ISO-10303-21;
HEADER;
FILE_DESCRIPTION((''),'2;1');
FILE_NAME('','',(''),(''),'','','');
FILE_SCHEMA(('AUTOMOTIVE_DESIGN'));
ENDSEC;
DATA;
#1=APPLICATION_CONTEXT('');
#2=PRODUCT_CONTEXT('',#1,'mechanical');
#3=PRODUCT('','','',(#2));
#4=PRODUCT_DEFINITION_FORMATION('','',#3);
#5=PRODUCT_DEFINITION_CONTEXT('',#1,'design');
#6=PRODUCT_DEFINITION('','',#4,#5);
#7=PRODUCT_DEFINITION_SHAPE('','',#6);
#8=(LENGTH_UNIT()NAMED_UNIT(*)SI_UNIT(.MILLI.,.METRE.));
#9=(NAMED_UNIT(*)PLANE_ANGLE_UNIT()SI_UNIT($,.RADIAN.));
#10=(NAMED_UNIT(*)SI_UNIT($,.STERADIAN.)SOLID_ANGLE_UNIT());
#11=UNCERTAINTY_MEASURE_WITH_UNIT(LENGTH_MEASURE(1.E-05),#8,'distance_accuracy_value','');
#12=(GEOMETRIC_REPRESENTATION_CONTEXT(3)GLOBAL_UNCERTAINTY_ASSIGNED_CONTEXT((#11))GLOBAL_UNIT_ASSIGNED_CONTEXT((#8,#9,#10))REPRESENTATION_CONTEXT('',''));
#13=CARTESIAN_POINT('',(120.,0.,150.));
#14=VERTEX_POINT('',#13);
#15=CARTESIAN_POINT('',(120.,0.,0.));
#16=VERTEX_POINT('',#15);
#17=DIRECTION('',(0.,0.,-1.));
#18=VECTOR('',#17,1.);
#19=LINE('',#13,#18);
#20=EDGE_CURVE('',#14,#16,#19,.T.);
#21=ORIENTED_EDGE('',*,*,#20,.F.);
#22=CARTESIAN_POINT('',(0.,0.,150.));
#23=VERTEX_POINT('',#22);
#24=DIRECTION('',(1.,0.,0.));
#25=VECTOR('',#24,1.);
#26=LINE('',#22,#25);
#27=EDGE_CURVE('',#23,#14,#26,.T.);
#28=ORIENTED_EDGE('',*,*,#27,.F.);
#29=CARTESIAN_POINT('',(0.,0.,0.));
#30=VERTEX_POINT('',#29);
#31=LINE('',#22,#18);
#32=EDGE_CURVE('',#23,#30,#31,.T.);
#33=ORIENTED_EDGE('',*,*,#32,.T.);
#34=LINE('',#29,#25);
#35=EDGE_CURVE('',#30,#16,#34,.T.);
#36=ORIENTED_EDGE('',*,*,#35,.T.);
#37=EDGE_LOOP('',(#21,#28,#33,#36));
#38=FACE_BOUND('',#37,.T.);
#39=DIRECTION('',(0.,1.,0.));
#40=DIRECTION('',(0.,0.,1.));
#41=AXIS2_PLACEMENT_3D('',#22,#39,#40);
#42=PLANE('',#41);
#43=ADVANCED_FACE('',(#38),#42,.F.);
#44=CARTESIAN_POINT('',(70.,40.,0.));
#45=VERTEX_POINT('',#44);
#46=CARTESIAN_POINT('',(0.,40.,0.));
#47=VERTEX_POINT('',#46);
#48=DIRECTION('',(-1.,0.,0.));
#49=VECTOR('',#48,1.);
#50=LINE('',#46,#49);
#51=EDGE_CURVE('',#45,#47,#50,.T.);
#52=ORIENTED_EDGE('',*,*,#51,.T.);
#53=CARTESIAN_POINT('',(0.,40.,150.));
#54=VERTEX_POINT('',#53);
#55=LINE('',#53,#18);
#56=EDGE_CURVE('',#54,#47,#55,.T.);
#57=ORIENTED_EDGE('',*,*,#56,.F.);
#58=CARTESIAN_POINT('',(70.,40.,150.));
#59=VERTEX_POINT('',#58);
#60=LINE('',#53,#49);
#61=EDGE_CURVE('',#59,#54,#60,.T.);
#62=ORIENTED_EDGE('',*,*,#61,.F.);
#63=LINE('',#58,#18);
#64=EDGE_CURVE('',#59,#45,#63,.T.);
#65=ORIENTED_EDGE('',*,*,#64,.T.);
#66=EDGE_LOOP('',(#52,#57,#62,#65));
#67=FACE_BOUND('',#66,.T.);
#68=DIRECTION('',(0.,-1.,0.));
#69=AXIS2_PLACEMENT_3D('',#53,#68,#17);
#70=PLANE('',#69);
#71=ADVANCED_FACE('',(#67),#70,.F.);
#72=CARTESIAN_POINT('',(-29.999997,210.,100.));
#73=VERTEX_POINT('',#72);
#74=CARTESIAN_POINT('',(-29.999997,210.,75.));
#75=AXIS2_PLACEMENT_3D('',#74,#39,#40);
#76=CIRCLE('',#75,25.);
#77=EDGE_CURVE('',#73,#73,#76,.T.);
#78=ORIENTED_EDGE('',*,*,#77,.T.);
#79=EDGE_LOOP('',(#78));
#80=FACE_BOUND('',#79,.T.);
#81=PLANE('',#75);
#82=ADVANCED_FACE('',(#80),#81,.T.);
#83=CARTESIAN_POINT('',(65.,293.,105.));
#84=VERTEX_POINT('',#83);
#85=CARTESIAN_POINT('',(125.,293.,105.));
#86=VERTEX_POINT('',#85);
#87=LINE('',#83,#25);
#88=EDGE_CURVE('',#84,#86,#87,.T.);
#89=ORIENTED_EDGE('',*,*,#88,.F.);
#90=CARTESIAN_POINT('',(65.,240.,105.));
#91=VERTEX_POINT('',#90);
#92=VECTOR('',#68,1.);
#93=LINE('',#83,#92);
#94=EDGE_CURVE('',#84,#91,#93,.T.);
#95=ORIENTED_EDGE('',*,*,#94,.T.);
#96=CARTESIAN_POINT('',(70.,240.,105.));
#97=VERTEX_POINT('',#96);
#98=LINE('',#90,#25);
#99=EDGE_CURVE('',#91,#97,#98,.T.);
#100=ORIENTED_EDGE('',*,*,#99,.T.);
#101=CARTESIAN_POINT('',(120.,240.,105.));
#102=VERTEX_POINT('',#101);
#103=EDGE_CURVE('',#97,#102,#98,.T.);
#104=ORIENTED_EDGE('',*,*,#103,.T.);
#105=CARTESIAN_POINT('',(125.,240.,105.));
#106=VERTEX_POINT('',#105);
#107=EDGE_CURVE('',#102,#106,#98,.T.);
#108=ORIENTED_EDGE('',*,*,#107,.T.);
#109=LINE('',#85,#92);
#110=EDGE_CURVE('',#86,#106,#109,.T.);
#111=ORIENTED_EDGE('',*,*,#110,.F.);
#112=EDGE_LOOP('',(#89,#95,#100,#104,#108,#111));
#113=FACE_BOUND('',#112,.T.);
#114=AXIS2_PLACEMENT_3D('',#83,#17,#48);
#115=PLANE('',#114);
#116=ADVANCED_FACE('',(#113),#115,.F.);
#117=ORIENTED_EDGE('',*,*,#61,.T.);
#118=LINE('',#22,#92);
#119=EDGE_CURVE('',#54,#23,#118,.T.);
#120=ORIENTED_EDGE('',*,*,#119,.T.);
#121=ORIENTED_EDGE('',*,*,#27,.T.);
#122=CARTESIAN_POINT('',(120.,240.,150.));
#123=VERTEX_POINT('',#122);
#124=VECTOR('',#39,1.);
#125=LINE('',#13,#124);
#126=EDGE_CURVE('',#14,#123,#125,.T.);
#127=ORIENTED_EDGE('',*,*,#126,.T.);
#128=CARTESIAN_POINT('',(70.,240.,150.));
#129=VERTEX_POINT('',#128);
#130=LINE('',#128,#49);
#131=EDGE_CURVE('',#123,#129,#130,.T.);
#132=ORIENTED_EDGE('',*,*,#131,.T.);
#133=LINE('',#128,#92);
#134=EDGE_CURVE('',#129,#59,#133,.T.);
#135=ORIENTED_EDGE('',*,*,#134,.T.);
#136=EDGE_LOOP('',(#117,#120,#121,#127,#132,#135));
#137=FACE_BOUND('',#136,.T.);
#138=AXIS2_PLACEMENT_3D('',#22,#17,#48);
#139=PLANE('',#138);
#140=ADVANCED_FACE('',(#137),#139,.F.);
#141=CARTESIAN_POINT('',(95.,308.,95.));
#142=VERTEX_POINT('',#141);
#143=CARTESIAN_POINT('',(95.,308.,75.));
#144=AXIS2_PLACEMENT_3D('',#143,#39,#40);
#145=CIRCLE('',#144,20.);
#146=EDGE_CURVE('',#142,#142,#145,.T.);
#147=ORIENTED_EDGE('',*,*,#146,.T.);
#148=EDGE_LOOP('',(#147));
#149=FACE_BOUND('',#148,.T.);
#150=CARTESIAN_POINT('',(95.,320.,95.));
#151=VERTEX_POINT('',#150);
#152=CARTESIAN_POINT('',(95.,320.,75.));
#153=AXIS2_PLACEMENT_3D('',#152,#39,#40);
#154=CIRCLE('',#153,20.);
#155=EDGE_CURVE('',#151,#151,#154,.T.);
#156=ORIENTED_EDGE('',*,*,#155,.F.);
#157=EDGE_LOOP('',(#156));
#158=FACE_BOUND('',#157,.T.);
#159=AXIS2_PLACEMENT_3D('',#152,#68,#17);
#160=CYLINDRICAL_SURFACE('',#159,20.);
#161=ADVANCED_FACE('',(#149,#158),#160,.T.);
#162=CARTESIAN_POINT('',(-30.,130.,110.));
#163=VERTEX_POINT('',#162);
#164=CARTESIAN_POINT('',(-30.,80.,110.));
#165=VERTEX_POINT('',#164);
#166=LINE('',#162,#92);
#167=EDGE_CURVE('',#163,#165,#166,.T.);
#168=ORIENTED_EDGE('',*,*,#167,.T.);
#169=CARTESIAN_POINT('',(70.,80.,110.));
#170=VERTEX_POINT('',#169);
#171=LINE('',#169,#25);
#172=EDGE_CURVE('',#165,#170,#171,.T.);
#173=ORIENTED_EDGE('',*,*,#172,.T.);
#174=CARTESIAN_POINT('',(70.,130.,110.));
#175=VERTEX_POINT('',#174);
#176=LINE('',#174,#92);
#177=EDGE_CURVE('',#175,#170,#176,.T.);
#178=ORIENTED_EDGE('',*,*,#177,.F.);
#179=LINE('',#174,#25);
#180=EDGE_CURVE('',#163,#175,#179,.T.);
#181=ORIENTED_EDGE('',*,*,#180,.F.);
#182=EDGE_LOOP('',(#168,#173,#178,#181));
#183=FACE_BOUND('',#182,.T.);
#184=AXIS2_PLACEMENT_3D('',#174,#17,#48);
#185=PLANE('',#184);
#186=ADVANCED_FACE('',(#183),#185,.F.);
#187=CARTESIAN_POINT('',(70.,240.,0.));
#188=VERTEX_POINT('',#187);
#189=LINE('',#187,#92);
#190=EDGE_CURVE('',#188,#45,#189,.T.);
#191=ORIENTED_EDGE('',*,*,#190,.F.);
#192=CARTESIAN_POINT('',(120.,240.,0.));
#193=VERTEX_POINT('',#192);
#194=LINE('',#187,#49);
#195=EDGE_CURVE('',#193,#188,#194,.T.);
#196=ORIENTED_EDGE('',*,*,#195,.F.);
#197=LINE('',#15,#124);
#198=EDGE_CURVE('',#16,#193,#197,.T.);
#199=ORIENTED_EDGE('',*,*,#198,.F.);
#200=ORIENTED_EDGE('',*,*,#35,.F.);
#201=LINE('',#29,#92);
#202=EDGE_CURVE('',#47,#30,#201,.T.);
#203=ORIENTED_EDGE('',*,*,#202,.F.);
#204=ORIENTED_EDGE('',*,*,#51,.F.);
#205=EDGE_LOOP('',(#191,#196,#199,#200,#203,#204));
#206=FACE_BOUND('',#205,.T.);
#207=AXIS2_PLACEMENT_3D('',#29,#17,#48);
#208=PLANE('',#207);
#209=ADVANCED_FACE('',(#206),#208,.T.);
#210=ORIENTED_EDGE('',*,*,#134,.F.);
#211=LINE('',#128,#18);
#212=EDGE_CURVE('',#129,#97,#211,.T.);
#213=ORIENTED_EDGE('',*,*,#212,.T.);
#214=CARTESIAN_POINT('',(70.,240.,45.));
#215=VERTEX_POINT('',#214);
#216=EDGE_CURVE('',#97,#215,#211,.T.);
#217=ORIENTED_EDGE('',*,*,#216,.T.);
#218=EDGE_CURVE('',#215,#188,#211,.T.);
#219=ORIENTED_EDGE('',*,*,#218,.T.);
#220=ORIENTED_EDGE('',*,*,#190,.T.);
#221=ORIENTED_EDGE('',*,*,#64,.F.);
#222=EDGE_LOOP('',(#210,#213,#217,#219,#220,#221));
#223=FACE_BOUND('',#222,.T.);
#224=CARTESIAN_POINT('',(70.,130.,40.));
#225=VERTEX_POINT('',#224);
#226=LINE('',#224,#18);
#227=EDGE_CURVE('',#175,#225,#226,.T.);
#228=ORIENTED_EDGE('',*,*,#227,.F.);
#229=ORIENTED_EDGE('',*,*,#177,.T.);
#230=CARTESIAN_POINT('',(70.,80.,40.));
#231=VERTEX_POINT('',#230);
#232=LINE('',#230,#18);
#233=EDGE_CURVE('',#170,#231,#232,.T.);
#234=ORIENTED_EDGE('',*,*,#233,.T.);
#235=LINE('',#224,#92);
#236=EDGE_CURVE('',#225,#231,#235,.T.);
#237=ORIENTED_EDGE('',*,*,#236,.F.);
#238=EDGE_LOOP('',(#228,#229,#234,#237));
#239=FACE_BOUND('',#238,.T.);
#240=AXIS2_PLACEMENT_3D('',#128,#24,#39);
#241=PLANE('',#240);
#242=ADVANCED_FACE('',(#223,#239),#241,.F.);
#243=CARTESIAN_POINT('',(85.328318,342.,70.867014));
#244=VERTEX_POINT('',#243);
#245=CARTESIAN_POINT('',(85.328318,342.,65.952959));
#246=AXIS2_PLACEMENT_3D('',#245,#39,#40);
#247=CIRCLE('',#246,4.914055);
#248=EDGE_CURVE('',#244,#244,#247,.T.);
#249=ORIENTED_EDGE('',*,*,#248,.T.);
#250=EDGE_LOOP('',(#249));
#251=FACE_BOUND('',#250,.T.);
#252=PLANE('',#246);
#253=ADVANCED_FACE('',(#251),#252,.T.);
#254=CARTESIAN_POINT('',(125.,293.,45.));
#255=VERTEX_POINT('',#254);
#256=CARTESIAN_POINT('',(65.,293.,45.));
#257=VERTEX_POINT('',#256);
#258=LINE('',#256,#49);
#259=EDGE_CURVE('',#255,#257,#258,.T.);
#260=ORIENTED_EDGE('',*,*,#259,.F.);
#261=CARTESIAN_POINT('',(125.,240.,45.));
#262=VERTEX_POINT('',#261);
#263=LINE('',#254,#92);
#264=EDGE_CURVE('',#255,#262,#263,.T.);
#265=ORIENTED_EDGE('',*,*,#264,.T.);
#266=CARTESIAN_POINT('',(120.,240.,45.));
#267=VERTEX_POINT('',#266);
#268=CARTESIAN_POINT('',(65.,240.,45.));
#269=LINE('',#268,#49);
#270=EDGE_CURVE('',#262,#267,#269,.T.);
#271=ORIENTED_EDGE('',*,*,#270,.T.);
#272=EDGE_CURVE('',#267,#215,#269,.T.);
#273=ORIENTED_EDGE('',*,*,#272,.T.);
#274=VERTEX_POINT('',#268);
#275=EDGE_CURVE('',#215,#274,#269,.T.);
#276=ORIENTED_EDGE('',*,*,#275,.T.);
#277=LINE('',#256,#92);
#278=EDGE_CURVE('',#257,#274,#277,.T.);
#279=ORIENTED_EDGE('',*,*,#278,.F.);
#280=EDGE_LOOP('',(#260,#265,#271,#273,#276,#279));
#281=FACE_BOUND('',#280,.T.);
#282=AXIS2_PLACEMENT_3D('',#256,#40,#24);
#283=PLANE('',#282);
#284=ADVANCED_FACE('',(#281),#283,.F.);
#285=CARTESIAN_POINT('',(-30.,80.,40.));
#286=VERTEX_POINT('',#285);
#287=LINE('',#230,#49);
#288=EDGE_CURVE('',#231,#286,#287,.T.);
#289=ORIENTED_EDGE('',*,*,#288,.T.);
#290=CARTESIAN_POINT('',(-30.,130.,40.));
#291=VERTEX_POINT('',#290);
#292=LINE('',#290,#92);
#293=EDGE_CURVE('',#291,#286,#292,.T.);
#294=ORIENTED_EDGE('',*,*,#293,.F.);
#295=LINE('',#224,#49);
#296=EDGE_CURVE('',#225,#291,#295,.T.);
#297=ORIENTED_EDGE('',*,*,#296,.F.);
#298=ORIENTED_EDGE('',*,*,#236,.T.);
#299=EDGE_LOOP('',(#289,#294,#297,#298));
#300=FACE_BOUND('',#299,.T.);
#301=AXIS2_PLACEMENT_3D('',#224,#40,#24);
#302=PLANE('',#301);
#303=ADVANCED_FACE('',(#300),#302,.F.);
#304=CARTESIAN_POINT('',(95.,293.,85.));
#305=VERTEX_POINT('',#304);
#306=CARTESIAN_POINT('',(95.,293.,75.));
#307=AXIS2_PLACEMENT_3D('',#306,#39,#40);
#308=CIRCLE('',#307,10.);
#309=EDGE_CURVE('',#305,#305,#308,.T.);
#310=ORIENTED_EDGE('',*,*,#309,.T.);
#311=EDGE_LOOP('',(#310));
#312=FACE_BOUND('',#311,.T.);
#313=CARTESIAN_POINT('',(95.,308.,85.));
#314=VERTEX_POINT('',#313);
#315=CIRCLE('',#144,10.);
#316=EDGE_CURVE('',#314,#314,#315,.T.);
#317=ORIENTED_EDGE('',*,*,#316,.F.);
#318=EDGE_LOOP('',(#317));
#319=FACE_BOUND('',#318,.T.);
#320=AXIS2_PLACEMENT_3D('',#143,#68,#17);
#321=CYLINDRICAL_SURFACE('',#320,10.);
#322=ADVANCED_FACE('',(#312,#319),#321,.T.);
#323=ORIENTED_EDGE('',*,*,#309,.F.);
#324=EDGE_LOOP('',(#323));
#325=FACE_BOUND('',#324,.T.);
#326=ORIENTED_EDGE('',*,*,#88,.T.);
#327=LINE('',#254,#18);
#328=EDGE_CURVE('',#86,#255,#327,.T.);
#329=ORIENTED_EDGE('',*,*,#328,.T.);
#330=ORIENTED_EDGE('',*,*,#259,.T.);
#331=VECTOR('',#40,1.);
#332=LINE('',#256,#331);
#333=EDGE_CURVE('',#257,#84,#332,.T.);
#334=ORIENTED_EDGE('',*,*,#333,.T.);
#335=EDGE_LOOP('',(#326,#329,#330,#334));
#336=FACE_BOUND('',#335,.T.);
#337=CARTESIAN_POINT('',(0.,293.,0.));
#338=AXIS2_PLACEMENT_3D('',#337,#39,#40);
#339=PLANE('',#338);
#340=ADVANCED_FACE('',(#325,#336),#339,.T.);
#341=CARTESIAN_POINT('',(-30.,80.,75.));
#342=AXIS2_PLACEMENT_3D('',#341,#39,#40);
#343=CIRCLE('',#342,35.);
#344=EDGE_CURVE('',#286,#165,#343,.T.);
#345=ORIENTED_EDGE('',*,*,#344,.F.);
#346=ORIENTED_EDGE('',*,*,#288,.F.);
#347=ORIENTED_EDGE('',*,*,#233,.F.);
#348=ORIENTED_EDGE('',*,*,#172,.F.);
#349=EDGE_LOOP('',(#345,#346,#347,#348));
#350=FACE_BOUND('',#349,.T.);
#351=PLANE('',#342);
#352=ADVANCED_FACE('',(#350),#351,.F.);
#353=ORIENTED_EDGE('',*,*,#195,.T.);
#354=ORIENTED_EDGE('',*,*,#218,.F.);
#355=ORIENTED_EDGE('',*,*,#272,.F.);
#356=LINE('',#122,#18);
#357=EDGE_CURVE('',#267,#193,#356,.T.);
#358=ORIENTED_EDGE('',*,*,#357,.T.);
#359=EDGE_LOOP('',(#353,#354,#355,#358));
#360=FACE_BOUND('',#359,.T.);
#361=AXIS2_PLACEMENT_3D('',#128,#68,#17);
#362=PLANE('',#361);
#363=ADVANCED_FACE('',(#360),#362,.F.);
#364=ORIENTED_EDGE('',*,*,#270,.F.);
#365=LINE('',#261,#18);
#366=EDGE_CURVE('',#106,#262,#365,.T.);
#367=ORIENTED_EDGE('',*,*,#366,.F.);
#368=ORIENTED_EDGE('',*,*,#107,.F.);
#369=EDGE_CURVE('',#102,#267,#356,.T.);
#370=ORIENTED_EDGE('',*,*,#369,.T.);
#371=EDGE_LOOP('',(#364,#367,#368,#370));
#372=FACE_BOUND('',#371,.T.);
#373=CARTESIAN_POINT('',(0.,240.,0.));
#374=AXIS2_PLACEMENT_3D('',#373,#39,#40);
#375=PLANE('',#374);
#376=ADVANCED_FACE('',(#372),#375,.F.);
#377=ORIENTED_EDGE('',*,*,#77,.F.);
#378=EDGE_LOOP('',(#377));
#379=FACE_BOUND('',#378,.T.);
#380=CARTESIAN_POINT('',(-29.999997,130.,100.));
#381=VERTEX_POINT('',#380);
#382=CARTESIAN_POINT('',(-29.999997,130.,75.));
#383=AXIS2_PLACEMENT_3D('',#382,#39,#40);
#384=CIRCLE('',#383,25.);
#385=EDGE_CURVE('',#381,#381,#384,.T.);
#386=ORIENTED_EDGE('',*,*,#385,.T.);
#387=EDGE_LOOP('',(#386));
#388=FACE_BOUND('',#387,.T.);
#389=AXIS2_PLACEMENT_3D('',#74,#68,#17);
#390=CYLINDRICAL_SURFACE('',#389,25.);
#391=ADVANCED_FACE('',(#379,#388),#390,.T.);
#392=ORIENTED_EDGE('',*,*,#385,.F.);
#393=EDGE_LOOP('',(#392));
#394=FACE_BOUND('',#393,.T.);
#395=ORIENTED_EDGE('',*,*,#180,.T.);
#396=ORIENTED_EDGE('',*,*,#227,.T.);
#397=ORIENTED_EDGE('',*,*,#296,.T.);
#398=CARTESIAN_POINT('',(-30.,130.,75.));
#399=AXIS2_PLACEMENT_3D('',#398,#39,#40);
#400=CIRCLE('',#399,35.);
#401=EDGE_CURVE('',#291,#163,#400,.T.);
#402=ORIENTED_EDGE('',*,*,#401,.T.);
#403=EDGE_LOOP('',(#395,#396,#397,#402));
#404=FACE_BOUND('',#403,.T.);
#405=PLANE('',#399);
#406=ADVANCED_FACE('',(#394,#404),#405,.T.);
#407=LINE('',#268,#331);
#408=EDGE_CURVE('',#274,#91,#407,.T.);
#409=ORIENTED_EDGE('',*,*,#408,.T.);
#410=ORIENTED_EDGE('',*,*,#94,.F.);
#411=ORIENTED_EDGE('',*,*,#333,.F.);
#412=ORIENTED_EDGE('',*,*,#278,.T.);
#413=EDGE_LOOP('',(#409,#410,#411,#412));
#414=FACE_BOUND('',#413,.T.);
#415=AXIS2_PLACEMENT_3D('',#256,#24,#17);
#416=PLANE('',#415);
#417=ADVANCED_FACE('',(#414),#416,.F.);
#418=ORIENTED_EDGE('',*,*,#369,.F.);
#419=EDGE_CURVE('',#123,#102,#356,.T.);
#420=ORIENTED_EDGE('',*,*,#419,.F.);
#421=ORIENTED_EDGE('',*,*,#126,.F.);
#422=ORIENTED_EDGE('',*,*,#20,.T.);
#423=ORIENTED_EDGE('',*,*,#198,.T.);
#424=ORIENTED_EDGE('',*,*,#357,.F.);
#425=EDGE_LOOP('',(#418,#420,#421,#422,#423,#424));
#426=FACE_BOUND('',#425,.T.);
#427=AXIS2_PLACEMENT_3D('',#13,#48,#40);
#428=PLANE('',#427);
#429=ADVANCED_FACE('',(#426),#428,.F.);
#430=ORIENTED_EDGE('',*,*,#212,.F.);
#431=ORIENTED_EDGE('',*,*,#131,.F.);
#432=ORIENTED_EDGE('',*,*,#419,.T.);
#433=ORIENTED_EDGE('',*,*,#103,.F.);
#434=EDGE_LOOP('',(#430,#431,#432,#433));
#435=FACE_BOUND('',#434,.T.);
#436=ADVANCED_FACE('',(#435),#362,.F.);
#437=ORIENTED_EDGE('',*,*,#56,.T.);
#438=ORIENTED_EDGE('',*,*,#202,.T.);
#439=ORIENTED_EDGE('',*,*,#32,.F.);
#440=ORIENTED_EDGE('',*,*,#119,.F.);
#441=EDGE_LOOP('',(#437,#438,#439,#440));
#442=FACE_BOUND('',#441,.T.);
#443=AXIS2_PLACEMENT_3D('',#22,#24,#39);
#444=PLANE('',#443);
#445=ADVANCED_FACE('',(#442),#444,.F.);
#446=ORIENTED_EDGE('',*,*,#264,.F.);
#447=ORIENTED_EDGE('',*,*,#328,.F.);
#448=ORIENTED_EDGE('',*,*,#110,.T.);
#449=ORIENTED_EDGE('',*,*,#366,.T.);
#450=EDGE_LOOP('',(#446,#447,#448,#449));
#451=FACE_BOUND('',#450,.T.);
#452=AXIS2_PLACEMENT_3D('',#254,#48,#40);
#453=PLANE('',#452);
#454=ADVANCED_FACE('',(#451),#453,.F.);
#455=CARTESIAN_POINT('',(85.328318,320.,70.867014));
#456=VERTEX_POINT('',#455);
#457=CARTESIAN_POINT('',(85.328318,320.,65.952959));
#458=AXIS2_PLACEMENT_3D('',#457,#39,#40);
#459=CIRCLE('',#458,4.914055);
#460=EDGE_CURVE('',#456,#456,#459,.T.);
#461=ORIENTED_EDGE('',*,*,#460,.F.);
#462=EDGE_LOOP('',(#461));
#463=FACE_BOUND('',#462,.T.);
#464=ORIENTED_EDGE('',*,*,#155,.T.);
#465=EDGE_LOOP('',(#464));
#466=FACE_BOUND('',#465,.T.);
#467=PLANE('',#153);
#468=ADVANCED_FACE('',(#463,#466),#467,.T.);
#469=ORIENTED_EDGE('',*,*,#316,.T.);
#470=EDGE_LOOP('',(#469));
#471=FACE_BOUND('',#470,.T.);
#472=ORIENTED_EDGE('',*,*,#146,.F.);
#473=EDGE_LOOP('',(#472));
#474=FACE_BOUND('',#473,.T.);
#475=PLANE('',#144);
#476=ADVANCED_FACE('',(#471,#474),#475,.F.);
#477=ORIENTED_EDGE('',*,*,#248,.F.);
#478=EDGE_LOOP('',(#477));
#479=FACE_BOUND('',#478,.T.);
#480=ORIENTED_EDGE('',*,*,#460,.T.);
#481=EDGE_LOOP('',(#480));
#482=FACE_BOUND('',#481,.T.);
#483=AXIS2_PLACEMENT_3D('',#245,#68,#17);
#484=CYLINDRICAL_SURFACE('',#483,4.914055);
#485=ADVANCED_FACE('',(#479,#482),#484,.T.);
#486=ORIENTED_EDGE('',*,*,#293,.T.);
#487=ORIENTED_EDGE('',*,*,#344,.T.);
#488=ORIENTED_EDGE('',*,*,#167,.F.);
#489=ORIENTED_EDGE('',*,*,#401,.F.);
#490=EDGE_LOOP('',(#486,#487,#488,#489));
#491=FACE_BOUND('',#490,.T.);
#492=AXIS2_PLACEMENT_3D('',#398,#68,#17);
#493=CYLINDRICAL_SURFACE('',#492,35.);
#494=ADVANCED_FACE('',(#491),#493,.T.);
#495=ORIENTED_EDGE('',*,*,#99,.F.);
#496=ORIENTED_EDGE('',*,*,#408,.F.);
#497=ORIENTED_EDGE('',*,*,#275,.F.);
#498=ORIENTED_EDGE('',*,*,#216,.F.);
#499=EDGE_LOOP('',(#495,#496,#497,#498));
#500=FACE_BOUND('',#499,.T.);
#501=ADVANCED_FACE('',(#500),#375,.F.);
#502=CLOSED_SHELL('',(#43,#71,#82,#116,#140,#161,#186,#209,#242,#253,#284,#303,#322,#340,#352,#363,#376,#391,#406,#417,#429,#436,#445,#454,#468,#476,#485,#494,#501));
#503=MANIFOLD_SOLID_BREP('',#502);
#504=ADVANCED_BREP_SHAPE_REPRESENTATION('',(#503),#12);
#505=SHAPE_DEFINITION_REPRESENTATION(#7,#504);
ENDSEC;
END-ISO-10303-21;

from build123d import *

# Parameters (mm, degrees)
EXTRUDE_1_DEPTH = 150
EXTRUDE_2_DEPTH = 50
SKETCH_4_R      = 25
EXTRUDE_3_DEPTH = 80
SKETCH_5_W      = 60
SKETCH_5_H      = 60
EXTRUDE_4_DEPTH = 53
SKETCH_6_R      = 10
EXTRUDE_5_DEPTH = 15
SKETCH_7_R      = 20
EXTRUDE_6_DEPTH = 12
SKETCH_8_R      = 4.914054778
EXTRUDE_7_DEPTH = 22


with BuildPart() as part:
    # ｽｹｯﾁ1 → ﾎﾞｽ - 押し出し1 (new body)
    with BuildSketch(Plane.XY):
        Polygon((0, 0), (120, 0), (120, 240), (70, 240), (70, 40), (0, 40), align=None)
    extrude(amount=EXTRUDE_1_DEPTH)

    # ｽｹｯﾁ3 → ﾎﾞｽ - 押し出し2 (add)
    with BuildSketch(Plane(origin=(0, 80, 0), x_dir=(1, 0, 0), z_dir=(0, 1, 0))):
        with BuildLine():
            Line((70, -40), (-30, -40))
            ThreePointArc((-30, -40), (-65, -75), (-30, -110))
            Line((-30, -110), (70, -110))
            Line((70, -110), (70, -40))
        make_face()
    extrude(amount=EXTRUDE_2_DEPTH)

    # ｽｹｯﾁ4 → ﾎﾞｽ - 押し出し3 (add)
    with BuildSketch(Plane(origin=(0, 130, 0), x_dir=(1, 0, 0), z_dir=(0, 1, 0))):
        with Locations((-29.999997022, -75)):
            Circle(SKETCH_4_R)
    extrude(amount=EXTRUDE_3_DEPTH)

    # ｽｹｯﾁ5 → ﾎﾞｽ - 押し出し4 (add)
    with BuildSketch(Plane(origin=(0, 240, 0), x_dir=(1, 0, 0), z_dir=(0, 1, 0))):
        with Locations((95, -75)):
            Rectangle(SKETCH_5_W, SKETCH_5_H)
    extrude(amount=EXTRUDE_4_DEPTH)

    # ｽｹｯﾁ6 → ﾎﾞｽ - 押し出し5 (add)
    with BuildSketch(Plane(origin=(0, 293, 0), x_dir=(1, 0, 0), z_dir=(0, 1, 0))):
        with Locations((95, -75)):
            Circle(SKETCH_6_R)
    extrude(amount=EXTRUDE_5_DEPTH)

    # ｽｹｯﾁ7 → ﾎﾞｽ - 押し出し6 (add)
    with BuildSketch(Plane(origin=(0, 308, 0), x_dir=(1, 0, 0), z_dir=(0, 1, 0))):
        with Locations((95, -75)):
            Circle(SKETCH_7_R)
    extrude(amount=EXTRUDE_6_DEPTH)

    # ｽｹｯﾁ8 → ﾎﾞｽ - 押し出し7 (add)
    with BuildSketch(Plane(origin=(0, 320, 0), x_dir=(1, 0, 0), z_dir=(0, 1, 0))):
        with Locations((85.328318408, -65.952959142)):
            Circle(SKETCH_8_R)
    extrude(amount=EXTRUDE_7_DEPTH)


solid = part.part
